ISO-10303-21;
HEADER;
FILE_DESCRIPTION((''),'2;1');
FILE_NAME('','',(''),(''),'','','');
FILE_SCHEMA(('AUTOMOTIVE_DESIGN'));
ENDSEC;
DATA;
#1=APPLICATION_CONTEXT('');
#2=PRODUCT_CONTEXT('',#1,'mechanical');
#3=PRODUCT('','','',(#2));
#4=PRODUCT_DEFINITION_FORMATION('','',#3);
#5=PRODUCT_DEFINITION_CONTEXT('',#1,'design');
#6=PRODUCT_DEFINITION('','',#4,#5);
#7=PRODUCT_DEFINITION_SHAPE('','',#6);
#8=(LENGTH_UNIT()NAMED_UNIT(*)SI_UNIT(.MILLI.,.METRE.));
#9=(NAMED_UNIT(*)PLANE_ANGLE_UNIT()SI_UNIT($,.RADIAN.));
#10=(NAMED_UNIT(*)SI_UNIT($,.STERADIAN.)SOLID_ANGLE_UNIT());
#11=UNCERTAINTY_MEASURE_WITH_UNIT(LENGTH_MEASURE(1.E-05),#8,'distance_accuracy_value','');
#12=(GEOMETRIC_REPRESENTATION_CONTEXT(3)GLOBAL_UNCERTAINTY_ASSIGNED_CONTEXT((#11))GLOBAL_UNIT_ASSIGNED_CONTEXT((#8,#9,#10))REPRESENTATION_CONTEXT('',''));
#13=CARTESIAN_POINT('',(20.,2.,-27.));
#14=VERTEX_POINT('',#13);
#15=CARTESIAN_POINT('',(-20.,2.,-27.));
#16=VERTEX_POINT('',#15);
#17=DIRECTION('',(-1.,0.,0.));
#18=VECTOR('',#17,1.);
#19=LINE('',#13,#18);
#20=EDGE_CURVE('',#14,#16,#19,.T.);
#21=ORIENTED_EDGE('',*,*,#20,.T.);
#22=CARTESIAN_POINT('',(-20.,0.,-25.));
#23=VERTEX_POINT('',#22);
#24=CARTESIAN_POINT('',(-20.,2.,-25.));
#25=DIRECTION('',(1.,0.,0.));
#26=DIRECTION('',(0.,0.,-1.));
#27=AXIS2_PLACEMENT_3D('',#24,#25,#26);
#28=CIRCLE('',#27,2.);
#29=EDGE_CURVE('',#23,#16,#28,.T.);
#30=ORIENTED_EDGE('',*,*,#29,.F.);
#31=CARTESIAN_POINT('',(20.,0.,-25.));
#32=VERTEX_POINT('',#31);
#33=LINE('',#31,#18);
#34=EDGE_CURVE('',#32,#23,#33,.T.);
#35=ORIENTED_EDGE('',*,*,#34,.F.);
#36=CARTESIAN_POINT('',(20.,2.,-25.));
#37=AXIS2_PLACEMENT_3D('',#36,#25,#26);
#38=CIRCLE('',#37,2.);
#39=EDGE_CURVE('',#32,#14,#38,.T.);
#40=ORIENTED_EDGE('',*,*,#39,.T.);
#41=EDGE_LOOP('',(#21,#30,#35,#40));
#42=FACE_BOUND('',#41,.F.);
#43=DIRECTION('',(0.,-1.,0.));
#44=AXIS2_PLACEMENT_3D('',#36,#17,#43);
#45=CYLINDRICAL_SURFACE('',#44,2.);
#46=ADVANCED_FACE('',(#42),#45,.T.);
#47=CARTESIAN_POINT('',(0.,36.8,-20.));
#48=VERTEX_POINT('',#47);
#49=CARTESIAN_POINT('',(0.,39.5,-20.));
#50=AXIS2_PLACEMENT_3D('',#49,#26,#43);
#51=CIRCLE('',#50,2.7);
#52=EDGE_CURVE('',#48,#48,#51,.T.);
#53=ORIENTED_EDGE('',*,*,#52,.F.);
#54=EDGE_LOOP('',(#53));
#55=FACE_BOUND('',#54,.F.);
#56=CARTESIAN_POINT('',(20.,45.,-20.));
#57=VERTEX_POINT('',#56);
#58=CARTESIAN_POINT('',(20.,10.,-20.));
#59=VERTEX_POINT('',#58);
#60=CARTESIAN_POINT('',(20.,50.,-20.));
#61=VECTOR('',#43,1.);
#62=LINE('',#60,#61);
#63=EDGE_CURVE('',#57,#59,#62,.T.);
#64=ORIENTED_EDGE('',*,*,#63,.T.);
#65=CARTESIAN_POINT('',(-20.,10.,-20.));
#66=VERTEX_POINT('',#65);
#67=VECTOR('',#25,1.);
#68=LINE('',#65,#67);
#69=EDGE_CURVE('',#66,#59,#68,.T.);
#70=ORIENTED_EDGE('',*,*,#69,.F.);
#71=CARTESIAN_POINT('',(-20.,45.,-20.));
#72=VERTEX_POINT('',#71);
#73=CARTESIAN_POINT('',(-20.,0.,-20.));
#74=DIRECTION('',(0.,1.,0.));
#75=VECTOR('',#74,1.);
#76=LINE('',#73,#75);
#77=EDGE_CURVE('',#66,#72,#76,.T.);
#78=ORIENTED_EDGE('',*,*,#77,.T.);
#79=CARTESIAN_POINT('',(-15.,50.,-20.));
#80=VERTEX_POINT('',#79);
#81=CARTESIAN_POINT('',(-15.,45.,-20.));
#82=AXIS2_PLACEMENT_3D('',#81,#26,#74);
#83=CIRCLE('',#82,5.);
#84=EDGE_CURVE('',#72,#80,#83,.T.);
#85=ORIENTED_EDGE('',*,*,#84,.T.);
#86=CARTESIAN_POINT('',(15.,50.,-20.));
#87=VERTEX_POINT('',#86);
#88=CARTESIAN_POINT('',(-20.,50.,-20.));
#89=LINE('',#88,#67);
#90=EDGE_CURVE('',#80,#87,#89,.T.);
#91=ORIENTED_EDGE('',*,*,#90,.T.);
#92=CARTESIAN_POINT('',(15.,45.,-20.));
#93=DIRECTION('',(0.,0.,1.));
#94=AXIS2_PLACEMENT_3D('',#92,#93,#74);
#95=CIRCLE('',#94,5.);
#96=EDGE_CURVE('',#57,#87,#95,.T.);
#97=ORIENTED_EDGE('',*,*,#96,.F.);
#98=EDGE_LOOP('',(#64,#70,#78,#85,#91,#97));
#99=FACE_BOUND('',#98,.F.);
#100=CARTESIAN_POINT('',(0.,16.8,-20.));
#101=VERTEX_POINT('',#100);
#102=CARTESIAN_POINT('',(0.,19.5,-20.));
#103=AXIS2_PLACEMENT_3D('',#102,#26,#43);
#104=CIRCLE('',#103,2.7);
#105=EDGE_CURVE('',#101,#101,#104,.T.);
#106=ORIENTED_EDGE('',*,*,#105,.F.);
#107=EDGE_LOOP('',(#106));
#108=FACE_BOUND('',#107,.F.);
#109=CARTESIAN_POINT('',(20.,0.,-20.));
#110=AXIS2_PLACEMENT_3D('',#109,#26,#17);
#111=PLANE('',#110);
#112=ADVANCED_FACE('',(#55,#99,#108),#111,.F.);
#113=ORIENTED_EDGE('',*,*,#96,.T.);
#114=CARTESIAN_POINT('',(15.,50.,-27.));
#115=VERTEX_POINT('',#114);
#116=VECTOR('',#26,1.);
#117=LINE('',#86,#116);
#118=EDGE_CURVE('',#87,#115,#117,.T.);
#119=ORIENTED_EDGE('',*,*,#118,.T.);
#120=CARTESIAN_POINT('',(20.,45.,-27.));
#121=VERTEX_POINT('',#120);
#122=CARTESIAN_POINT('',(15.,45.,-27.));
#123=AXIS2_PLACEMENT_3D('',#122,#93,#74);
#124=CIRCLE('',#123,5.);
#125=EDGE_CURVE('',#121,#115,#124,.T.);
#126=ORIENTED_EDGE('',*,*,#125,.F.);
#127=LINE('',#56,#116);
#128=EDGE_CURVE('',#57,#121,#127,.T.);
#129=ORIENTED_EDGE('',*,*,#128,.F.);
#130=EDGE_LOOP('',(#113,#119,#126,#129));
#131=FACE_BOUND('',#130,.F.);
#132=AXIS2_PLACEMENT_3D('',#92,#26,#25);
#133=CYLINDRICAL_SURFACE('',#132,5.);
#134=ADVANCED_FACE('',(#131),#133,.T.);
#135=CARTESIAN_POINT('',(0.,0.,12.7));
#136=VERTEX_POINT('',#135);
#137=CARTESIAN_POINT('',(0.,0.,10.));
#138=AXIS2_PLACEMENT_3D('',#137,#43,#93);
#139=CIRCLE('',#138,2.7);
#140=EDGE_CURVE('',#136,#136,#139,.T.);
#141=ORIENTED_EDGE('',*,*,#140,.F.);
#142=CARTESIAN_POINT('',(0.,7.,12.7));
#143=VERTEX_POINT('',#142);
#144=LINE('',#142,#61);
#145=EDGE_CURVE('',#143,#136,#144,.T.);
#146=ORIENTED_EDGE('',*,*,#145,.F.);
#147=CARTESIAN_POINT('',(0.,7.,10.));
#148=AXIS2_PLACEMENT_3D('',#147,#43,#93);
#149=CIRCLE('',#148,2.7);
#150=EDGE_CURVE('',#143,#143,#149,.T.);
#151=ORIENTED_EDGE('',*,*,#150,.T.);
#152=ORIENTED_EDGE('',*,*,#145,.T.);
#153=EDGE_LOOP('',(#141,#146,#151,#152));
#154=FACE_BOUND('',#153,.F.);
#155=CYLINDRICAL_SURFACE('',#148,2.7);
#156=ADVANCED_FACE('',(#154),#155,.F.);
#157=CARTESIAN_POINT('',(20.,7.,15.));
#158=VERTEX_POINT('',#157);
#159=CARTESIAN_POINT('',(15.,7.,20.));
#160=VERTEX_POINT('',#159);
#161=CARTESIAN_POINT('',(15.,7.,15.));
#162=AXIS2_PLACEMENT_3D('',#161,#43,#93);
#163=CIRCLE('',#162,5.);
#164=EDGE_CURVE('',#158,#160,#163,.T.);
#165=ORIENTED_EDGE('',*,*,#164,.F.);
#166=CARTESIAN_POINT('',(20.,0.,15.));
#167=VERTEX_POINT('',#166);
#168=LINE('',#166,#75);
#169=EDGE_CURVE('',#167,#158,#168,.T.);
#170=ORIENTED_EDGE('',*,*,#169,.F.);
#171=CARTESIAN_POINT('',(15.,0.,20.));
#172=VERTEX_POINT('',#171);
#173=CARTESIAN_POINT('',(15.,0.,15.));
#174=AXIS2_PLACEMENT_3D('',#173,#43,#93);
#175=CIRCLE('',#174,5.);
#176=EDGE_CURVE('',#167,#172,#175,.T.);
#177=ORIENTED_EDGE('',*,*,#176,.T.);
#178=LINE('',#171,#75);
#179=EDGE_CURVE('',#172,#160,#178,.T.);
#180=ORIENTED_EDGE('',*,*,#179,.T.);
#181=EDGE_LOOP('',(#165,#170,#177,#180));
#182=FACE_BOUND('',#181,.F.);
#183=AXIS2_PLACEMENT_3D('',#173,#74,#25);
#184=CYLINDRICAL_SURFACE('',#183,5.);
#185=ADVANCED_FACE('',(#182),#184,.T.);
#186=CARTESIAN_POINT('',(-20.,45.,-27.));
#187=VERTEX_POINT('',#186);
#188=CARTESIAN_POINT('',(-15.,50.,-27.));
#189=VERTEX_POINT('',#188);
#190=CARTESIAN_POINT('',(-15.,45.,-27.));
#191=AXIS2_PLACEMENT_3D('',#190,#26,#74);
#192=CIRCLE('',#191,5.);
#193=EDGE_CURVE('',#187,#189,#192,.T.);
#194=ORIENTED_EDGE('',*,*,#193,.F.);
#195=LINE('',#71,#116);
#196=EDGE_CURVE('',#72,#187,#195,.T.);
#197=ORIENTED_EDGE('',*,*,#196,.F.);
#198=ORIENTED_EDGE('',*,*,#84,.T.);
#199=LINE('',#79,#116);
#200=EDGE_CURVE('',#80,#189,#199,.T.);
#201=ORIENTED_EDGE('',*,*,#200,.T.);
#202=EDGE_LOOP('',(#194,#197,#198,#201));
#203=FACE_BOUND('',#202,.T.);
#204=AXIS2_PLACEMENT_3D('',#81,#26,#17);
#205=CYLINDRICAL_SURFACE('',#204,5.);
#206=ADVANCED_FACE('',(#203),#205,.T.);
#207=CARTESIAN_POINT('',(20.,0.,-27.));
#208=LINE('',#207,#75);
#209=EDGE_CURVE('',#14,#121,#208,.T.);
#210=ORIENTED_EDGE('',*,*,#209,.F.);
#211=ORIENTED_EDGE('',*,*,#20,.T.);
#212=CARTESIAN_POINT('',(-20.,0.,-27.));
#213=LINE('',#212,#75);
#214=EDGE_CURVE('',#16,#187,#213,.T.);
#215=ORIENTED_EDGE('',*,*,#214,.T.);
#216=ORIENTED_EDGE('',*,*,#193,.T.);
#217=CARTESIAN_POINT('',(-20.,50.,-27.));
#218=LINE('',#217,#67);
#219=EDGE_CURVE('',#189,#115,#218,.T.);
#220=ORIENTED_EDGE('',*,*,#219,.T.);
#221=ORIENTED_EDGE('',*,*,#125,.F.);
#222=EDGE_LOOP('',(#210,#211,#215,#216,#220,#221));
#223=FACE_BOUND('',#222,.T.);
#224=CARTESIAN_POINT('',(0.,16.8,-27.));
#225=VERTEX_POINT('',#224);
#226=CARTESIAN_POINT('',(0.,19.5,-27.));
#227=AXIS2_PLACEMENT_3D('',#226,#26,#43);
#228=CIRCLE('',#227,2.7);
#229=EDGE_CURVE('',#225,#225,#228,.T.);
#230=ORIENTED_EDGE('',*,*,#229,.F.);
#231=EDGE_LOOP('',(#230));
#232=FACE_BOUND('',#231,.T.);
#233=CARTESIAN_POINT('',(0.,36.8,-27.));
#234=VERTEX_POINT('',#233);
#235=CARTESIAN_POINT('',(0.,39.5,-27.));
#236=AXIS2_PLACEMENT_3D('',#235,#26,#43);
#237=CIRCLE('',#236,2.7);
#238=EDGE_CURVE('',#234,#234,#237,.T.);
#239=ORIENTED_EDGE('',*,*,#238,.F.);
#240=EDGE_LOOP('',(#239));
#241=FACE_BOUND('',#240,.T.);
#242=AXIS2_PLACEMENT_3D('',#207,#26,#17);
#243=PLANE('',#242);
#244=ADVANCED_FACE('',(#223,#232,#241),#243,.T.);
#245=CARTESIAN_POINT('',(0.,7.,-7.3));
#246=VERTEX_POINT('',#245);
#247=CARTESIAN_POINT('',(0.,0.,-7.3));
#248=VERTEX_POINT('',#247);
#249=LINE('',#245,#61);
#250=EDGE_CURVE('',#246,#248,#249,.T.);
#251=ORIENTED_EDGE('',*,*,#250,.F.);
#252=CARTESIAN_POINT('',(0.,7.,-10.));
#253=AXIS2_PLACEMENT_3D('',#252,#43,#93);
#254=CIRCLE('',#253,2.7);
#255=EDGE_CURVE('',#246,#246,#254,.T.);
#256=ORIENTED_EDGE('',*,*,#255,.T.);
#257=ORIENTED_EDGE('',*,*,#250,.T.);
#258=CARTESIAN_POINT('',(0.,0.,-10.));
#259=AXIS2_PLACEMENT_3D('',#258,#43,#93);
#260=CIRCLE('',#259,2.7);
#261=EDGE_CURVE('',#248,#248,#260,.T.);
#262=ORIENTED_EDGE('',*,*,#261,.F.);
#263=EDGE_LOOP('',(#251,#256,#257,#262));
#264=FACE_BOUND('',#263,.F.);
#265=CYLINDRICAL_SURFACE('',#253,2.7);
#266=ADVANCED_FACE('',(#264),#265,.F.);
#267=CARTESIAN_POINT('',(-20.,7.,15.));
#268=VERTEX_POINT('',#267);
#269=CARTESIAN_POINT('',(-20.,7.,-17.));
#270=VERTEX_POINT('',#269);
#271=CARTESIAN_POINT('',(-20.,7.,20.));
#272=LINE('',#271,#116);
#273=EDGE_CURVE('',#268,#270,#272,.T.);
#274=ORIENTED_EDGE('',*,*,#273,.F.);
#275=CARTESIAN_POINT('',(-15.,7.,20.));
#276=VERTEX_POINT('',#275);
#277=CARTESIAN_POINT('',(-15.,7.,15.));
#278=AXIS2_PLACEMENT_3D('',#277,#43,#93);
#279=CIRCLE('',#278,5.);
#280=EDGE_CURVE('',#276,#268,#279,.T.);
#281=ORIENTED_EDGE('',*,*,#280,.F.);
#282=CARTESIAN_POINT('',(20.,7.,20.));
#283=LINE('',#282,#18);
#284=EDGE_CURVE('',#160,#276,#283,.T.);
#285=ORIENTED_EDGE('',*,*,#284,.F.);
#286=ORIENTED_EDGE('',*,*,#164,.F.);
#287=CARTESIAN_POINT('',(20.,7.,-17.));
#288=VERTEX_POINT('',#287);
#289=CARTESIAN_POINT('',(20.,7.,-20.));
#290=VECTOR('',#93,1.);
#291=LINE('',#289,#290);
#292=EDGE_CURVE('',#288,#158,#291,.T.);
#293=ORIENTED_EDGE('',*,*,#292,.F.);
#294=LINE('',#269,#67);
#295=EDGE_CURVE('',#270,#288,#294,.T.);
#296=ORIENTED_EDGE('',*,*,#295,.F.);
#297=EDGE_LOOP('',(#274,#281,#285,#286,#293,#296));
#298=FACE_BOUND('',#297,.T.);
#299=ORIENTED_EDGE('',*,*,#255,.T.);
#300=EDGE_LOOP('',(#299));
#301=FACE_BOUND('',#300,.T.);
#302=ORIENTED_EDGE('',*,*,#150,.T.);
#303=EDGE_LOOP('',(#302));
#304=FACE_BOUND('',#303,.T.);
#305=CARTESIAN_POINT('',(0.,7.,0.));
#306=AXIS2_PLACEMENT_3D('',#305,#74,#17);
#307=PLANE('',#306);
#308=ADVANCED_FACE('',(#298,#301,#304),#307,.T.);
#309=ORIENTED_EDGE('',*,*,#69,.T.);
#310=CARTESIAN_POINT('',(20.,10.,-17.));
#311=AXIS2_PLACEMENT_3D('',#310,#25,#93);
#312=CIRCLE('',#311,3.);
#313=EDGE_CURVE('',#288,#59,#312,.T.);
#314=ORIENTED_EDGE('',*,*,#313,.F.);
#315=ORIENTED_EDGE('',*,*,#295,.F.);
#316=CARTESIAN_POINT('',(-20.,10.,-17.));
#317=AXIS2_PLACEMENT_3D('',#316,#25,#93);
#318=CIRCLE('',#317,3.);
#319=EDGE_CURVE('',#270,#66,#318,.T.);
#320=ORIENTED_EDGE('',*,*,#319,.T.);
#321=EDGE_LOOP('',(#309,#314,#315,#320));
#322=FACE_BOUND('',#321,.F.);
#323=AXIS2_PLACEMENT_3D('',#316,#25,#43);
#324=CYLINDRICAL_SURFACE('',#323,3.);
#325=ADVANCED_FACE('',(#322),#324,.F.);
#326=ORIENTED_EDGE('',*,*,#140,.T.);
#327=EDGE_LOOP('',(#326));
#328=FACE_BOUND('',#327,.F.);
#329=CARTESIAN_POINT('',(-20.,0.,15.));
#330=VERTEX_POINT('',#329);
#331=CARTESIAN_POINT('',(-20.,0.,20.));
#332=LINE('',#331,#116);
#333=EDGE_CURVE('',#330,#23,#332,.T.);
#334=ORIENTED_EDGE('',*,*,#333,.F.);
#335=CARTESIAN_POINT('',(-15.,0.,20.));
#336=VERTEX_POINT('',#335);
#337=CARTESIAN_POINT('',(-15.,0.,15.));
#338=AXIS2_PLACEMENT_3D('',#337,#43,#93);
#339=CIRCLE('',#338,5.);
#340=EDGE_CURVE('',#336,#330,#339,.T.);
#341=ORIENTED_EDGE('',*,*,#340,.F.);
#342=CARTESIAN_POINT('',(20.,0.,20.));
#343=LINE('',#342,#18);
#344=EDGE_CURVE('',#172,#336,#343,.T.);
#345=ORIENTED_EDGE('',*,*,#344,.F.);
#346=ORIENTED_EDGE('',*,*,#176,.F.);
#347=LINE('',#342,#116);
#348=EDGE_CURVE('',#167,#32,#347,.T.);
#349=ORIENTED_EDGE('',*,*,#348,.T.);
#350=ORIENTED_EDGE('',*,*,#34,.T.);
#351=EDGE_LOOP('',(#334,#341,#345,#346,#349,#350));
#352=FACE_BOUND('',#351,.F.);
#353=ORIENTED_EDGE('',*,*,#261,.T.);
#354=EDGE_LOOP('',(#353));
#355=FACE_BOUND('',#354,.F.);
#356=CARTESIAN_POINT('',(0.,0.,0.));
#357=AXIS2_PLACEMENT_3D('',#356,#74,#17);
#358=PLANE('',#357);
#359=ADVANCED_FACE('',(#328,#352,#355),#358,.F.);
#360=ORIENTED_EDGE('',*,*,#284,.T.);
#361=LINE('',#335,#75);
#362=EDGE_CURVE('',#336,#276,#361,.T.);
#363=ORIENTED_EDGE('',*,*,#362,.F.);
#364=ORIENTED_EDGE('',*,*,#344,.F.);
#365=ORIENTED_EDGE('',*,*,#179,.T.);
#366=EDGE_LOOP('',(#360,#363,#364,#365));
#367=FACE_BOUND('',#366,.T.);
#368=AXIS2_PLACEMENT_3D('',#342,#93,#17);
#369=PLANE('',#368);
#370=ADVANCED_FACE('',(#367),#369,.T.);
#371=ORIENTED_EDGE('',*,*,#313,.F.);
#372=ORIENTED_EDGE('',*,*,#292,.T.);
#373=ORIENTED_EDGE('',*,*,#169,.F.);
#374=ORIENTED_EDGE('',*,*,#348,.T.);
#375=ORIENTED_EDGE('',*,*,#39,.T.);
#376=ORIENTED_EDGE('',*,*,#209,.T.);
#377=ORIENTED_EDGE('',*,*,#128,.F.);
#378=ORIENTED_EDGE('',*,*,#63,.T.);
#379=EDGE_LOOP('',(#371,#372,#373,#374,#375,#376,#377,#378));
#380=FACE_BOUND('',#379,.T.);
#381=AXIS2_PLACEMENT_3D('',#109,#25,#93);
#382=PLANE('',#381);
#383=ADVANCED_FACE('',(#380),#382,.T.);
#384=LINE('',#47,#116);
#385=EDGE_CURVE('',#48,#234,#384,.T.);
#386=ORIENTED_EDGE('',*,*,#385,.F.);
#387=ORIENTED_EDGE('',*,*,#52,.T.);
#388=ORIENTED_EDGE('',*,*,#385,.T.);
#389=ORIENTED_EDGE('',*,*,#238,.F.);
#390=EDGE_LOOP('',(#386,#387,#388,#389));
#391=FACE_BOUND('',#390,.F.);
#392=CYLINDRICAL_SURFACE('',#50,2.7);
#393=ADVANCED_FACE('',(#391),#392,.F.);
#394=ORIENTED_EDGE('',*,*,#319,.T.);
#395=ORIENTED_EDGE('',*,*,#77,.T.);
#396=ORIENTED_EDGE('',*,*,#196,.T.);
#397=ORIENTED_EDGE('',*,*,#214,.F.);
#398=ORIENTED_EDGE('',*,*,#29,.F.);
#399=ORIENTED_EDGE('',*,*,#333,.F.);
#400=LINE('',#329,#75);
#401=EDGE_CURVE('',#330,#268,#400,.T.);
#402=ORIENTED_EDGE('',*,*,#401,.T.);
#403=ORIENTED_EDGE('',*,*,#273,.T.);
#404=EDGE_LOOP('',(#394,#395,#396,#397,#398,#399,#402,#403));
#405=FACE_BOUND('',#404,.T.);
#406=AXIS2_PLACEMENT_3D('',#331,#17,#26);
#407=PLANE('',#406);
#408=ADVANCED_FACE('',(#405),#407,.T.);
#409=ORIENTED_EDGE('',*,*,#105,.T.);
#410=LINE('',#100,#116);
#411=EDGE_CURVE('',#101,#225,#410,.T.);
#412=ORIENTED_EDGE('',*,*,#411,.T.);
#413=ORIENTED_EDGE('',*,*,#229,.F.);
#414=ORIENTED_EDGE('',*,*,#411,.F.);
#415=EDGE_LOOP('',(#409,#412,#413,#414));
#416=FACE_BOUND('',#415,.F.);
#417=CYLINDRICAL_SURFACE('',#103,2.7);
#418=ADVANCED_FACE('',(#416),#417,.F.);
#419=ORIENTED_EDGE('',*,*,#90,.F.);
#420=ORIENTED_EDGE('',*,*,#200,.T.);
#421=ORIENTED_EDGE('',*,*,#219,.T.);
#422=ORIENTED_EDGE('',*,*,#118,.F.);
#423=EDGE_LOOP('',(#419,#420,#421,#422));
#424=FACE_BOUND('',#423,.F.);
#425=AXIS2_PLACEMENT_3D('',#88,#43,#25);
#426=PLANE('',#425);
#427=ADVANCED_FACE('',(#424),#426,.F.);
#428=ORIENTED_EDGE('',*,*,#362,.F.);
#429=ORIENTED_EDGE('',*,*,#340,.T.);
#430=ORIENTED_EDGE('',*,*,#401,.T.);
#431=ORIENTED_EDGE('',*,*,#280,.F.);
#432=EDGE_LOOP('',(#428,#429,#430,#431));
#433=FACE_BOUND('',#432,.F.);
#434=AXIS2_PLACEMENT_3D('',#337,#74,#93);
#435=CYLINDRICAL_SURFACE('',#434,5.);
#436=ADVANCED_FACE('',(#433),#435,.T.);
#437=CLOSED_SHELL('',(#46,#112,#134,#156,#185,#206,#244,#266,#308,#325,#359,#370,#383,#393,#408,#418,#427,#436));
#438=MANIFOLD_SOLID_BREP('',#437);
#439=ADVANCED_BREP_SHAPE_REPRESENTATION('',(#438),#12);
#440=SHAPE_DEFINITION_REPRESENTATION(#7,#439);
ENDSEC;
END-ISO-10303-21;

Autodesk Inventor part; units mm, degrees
ref_plane "YZ Plane" through (0, 0, 0) normal (1, 0, 0) x (0, 1, 0)
ref_plane "XZ Plane" through (0, 0, 0) normal (0, 1, 0) x (-1, 0, 0)
ref_plane "XY Plane" through (0, 0, 0) normal (0, 0, 1) x (1, 0, 0)
sketch "Sketch1" plane through (0, 0, 0) normal (0, 1, 0) x (-1, 0, 0)
  line L0 (20, -20) -> (-20, -20)
  line L1 (-20, -20) -> (-20, 20)
  line L2 (-20, 20) -> (20, 20)
  line L3 (20, 20) -> (20, -20)
  line L4 (20, -20) -> (-20, 20) construction
  line L5 (-20, -20) -> (20, 20) construction
  point P0 (0, 0)
  dimension "d0" = 40
  dimension "d1" = 40
extrude "Extrusion1" add sketch "Sketch1" along normal blind 7
sketch "Sketch2" plane through (0, 7, 0) normal (0, 1, 0) x (1, 0, 0)
  line L0 (-20, -20) -> (20, -20) projected
  point P0 (0, 0)
  point P1 (0, -10)
  point P2 (0, 10)
  dimension "d4" = 20
  dimension "d5" = 10
sketch "Sketch3" plane through (20, 0, -20) normal (0, 0, -1) x (-1, 0, 0)
  line L0 (0, 0) -> (0, 7) projected
  line L1 (0, 0) -> (40, 0)
  line L2 (40, 0) -> (40, 50)
  line L3 (40, 50) -> (0, 50)
  line L4 (0, 50) -> (0, 0)
  point P0 (20, 0)
  dimension "d14" = 50
  dimension "d15" = 40
extrude "Extrusion2" add sketch "Sketch3" along normal blind 7
fillet "Fillet2" radius 3 1 edges at (0, 7, -20)
fillet "Fillet2" radius 5 4 edges at (-20, 50, -23.5) (20, 50, -23.5) (-20, 3.5, 20) (20, 3.5, 20)
fillet "Fillet2" radius 2 1 edges at (0, 0, -27)
sketch "Sketch4" plane through (20, 0, -20) normal (0, 0, 1) x (1, 0, 0)
  line L0 (-35, 0) -> (-5, 0) projected
  line L1 (-40, 7) -> (0, 7) projected
  point P0 (-20, 0)
  point P1 (-20, 39.5)
  point P2 (-20, 19.5)
  point P3 (-20, 0)
  point P4 (-20, 0)
  dimension "d22" = 20
  dimension "d23" = 12.5
hole "Hole4" at (0, 39.5, -20) at (0, 19.5, -20) direction (0, 0, -1) diameter 5.4 end through all
hole "Hole5" at (0, 7, 10) at (0, 7, -10) direction (0, -1, 0) diameter 5.4 end through all
properties part number "angulares"
